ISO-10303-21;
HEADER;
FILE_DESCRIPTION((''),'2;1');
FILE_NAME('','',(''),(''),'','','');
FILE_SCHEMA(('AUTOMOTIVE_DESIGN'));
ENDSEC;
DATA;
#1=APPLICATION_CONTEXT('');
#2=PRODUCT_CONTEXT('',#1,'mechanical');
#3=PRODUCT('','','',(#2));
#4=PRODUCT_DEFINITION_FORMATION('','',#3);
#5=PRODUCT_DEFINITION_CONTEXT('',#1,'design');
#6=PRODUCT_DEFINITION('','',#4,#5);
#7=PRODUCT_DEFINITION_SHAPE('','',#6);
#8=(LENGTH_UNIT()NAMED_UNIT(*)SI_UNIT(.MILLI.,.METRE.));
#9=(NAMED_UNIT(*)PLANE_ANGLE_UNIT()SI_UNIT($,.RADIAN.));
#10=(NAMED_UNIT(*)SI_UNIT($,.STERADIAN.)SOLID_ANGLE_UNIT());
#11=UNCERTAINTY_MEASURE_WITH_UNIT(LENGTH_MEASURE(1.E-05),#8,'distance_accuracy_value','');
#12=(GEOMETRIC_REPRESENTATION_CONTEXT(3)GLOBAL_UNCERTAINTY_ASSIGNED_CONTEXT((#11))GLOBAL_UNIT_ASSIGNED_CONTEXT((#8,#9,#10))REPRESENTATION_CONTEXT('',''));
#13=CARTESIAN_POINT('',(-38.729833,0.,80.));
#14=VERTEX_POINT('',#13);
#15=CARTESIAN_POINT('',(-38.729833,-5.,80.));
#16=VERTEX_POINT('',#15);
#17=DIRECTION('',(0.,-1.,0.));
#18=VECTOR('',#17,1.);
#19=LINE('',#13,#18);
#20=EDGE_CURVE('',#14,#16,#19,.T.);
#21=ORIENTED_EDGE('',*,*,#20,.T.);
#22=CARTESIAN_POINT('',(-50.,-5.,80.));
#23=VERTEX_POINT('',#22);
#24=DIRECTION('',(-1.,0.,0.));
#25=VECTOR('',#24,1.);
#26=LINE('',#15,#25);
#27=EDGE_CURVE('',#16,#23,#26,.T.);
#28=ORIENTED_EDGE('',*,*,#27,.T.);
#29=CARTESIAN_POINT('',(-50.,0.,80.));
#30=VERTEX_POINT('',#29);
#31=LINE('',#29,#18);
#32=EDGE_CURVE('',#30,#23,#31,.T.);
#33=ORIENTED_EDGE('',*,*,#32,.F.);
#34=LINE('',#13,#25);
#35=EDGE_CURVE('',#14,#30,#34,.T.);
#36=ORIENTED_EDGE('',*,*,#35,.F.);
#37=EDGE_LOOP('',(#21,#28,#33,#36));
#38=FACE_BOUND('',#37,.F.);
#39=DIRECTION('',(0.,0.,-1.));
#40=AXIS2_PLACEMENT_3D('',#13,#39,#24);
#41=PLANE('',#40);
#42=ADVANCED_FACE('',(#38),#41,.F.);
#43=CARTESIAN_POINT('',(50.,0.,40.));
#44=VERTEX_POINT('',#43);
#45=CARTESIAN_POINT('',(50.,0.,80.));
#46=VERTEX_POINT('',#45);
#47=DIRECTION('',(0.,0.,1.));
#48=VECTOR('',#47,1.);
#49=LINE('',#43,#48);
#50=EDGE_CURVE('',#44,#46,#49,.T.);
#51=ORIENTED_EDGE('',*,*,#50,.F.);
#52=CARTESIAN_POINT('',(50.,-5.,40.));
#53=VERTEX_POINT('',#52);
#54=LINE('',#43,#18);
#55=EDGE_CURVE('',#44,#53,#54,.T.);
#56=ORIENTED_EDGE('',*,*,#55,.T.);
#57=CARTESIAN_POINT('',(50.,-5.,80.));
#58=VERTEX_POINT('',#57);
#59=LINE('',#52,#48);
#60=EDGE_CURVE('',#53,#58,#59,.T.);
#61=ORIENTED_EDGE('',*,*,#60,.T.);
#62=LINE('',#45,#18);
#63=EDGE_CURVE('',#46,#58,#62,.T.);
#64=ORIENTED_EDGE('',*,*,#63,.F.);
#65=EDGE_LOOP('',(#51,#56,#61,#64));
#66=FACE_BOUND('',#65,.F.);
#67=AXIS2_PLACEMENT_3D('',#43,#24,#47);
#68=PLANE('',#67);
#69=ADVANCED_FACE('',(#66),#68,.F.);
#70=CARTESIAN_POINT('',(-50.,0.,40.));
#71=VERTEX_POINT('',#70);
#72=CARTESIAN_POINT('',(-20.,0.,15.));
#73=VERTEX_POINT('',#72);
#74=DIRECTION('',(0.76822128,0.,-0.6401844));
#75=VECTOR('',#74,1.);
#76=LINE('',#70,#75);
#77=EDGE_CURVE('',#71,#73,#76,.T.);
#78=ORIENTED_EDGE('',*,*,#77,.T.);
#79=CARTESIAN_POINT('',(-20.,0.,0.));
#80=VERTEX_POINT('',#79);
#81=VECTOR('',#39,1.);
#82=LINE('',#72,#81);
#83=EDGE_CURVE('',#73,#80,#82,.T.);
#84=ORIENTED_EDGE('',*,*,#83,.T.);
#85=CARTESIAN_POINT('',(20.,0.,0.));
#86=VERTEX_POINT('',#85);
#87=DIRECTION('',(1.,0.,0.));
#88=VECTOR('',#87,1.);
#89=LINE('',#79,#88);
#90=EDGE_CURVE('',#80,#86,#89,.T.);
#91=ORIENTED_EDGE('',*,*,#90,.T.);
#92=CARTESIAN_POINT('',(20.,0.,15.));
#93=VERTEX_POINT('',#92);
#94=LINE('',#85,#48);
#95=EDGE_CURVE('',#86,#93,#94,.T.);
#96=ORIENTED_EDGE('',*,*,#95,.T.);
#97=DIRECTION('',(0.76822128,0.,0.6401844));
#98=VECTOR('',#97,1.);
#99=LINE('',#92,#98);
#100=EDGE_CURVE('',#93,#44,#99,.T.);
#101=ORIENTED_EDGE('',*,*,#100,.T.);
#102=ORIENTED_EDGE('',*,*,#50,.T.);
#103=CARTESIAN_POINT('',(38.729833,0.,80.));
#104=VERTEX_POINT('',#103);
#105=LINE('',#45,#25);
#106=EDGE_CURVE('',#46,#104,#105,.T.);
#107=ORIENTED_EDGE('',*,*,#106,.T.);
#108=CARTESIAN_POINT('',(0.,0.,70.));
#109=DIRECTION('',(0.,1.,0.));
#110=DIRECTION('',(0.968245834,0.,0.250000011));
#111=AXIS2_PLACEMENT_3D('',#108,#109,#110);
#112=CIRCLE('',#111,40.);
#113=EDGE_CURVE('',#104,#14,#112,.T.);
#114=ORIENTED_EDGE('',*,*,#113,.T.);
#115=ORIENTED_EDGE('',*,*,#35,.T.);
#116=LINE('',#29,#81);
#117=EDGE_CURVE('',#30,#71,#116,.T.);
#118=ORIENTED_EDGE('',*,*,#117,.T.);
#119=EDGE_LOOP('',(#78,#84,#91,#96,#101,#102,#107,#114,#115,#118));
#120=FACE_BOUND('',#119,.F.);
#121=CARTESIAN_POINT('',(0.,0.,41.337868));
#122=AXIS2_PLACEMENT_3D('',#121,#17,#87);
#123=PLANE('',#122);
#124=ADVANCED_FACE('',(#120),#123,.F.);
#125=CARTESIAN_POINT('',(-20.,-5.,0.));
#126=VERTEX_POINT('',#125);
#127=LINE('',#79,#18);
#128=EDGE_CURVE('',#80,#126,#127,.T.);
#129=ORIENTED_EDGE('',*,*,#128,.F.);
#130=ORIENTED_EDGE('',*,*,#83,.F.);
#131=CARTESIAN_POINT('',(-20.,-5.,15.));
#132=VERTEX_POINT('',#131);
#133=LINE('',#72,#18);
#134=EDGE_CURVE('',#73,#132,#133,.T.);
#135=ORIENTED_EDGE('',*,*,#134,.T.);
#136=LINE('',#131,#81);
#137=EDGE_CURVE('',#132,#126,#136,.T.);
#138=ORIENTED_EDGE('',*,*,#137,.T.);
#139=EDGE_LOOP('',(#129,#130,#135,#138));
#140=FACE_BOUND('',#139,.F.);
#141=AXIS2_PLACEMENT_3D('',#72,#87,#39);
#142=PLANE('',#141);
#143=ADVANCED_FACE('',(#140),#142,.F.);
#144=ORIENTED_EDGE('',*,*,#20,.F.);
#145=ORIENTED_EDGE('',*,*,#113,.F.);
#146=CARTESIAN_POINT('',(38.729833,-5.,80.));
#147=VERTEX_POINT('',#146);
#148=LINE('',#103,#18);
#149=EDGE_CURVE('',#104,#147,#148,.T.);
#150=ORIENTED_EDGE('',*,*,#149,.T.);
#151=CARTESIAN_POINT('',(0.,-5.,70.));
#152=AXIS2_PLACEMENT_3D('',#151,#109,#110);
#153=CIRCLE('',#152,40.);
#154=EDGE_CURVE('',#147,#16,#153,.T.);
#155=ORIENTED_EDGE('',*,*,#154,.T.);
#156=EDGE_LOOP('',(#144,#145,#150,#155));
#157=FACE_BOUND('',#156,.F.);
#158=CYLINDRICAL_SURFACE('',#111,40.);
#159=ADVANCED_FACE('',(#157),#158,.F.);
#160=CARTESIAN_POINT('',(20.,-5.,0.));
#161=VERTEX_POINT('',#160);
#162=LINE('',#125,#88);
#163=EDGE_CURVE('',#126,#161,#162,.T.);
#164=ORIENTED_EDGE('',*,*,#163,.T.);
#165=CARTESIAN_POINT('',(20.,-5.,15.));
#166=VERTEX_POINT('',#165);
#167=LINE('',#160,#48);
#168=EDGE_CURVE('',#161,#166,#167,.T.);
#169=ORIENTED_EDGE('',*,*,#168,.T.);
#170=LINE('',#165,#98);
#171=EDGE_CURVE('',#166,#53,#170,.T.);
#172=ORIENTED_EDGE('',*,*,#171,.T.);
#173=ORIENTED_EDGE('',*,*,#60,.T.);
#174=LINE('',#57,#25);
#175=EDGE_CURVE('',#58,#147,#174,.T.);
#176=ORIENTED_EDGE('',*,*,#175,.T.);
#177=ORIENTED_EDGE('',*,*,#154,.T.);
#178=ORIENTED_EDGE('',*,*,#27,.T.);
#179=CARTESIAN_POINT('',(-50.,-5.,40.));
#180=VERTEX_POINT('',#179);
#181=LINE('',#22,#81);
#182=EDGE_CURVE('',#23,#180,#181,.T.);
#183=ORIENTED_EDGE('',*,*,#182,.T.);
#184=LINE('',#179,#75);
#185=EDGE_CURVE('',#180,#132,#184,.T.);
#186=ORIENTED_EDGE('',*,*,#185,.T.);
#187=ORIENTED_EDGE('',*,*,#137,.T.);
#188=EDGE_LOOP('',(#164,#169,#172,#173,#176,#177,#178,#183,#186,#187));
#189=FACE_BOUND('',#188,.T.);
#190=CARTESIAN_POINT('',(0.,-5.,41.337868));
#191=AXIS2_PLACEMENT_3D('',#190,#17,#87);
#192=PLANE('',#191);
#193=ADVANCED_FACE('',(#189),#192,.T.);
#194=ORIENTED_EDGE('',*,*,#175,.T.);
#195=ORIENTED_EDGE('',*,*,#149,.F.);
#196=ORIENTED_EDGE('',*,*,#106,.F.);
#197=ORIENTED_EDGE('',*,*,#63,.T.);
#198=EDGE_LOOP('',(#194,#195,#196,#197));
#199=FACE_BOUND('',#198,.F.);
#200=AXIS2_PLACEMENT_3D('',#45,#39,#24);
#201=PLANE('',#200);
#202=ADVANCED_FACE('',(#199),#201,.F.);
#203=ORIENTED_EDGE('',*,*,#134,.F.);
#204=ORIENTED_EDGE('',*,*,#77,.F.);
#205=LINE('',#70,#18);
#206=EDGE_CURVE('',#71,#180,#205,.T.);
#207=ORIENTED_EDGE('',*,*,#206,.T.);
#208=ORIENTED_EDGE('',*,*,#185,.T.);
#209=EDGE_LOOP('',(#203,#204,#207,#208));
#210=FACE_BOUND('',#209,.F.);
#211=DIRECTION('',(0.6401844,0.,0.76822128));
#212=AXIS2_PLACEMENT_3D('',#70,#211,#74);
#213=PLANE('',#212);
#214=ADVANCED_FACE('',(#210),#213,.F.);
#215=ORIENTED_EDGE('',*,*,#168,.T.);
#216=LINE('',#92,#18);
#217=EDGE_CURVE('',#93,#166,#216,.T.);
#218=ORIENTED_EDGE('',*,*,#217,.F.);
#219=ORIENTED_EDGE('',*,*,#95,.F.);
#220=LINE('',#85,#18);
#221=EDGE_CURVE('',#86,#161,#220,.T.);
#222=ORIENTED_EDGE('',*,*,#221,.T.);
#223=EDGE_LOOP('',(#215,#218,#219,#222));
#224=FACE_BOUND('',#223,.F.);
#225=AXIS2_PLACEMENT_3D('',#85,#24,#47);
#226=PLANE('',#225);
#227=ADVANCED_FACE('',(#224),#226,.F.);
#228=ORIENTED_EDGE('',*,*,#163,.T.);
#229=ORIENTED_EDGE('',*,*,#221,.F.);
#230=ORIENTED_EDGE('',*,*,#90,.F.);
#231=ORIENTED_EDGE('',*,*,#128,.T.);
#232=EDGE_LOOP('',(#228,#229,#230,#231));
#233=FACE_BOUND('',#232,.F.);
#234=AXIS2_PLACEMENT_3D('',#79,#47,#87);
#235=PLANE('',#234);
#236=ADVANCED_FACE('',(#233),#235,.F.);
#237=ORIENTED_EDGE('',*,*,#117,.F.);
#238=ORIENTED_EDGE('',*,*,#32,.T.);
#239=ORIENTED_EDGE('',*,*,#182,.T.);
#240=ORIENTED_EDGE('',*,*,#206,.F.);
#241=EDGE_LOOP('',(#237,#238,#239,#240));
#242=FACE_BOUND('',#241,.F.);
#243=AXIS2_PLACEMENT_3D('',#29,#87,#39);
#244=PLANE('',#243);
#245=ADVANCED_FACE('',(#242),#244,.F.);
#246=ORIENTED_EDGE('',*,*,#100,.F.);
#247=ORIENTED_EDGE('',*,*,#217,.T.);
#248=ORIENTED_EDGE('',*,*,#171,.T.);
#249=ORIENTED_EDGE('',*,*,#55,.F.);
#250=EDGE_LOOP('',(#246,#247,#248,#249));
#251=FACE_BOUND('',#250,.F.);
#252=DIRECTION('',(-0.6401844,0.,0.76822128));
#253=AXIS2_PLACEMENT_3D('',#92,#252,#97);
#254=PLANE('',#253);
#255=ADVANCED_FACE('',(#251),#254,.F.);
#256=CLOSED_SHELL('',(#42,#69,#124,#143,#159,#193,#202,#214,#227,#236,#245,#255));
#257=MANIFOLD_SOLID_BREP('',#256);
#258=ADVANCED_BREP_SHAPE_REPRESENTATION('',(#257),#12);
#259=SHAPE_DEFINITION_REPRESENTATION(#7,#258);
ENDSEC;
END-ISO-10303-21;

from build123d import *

# Parameters (mm, degrees)
F1_DEPTH = 5


with BuildPart() as f1:
    # F0 (on Front) → F1 (new body)
    with BuildSketch(Plane.XZ):
        with BuildLine():
            ThreePointArc((38.729833, 80), (0, 30), (-38.729833, 80))
            Line((-38.729833, 80), (-50, 80))
            Line((-50, 80), (-50, 40))
            Line((-50, 40), (-20, 15))
            Line((-20, 15), (-20, 0))
            Line((-20, 0), (0, 0))
            Line((0, 0), (20, 0))
            Line((20, 0), (20, 15))
            Line((20, 15), (50, 40))
            Line((50, 40), (50, 80))
            Line((50, 80), (38.729833, 80))
        make_face()
    extrude(amount=F1_DEPTH)


solid = f1.part
